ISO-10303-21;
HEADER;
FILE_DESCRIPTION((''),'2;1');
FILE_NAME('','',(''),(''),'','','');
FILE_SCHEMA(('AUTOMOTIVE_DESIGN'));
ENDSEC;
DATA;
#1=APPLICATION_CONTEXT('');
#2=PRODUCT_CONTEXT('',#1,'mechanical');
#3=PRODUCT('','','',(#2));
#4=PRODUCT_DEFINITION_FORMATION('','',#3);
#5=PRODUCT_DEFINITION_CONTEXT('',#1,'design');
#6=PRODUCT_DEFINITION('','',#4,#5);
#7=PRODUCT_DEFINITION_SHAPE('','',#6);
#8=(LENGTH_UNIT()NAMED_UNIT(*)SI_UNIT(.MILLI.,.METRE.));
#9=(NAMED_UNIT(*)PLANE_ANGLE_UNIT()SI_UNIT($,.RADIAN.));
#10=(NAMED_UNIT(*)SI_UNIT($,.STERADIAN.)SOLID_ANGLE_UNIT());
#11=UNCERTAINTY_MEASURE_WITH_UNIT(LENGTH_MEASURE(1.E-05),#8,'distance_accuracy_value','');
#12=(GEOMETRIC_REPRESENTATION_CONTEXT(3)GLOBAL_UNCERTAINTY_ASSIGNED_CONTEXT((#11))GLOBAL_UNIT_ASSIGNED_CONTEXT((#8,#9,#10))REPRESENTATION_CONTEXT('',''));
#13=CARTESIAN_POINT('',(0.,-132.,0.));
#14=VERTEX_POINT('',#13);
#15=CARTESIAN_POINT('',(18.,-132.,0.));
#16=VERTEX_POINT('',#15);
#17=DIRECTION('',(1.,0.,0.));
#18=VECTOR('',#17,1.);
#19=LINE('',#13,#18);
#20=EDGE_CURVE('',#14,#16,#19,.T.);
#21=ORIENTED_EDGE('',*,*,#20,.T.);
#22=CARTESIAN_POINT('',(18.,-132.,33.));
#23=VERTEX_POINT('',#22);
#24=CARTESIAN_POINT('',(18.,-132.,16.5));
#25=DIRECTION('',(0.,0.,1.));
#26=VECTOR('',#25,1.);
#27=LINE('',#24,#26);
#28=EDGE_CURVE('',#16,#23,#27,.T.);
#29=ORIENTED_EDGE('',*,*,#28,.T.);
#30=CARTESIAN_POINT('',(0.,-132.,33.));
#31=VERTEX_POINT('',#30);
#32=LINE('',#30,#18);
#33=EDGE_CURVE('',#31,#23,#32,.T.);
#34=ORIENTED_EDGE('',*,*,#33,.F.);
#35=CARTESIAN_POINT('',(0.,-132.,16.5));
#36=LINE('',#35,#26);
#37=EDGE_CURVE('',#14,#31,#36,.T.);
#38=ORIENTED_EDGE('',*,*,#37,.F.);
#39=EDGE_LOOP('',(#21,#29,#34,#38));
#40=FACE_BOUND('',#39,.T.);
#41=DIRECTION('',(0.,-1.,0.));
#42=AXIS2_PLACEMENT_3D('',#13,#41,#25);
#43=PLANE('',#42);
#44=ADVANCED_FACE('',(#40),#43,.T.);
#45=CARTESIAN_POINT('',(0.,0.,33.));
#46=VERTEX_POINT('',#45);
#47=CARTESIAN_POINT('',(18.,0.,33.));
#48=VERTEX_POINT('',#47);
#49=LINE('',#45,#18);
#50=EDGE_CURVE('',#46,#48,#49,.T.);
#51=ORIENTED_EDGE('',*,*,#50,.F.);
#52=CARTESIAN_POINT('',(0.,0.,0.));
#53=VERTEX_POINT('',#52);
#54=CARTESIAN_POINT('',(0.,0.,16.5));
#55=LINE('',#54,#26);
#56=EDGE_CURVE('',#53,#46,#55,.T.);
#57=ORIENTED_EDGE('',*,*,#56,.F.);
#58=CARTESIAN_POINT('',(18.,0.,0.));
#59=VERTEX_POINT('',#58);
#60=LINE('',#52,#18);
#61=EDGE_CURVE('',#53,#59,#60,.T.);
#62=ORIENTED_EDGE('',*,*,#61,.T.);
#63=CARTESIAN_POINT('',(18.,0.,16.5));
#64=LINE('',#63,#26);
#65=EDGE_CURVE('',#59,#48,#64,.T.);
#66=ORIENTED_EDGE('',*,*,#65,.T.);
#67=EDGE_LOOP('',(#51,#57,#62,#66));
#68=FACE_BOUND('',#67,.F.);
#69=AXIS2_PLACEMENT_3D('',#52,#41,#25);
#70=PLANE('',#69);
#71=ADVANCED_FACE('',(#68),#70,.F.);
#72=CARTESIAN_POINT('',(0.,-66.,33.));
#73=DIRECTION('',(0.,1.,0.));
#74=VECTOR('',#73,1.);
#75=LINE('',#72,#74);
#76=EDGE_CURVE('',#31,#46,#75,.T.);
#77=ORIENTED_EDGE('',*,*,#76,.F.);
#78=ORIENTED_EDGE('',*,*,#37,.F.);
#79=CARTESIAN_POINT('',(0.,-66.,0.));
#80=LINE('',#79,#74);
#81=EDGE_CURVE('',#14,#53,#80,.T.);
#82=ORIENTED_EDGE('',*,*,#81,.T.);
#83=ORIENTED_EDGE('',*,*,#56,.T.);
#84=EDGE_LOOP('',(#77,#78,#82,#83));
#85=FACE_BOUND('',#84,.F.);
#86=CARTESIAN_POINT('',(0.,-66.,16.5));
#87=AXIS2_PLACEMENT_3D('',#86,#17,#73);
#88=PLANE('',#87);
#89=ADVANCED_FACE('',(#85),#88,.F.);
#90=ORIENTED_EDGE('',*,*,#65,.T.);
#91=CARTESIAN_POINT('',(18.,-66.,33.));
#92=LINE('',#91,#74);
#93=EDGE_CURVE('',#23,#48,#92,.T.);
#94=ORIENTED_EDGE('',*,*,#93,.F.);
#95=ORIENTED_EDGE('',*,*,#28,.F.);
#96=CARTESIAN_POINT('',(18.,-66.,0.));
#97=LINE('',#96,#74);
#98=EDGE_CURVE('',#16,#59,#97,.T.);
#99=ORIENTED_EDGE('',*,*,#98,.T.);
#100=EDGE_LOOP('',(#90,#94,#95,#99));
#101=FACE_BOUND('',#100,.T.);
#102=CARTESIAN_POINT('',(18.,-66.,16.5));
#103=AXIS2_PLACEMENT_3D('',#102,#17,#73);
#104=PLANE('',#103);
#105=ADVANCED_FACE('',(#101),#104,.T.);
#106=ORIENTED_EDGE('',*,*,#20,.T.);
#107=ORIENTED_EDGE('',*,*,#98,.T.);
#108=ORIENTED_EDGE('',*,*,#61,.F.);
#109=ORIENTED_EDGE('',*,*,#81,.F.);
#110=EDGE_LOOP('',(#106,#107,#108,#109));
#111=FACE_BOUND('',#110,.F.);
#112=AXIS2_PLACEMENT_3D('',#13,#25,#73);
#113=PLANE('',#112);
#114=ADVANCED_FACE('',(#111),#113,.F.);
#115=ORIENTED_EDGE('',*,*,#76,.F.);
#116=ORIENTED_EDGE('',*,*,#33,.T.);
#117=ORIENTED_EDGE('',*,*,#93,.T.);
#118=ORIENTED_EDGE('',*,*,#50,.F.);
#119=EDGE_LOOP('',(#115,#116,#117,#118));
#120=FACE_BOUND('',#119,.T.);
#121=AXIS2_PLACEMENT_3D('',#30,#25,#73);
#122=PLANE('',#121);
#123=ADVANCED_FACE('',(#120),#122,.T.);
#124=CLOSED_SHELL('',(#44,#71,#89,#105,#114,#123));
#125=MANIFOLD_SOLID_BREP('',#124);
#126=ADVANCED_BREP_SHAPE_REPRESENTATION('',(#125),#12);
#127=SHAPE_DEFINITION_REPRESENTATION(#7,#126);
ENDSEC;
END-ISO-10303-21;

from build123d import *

# Parameters (mm, degrees)
SKETCH_W  = 132
SKETCH_H  = 33
PAD_DEPTH = 18


with BuildPart() as part:
    # Sketch → Pad (new body)
    with BuildSketch(Plane.YZ):
        with Locations((-66, 16.5)):
            Rectangle(SKETCH_W, SKETCH_H)
    extrude(amount=PAD_DEPTH)


solid = part.part
